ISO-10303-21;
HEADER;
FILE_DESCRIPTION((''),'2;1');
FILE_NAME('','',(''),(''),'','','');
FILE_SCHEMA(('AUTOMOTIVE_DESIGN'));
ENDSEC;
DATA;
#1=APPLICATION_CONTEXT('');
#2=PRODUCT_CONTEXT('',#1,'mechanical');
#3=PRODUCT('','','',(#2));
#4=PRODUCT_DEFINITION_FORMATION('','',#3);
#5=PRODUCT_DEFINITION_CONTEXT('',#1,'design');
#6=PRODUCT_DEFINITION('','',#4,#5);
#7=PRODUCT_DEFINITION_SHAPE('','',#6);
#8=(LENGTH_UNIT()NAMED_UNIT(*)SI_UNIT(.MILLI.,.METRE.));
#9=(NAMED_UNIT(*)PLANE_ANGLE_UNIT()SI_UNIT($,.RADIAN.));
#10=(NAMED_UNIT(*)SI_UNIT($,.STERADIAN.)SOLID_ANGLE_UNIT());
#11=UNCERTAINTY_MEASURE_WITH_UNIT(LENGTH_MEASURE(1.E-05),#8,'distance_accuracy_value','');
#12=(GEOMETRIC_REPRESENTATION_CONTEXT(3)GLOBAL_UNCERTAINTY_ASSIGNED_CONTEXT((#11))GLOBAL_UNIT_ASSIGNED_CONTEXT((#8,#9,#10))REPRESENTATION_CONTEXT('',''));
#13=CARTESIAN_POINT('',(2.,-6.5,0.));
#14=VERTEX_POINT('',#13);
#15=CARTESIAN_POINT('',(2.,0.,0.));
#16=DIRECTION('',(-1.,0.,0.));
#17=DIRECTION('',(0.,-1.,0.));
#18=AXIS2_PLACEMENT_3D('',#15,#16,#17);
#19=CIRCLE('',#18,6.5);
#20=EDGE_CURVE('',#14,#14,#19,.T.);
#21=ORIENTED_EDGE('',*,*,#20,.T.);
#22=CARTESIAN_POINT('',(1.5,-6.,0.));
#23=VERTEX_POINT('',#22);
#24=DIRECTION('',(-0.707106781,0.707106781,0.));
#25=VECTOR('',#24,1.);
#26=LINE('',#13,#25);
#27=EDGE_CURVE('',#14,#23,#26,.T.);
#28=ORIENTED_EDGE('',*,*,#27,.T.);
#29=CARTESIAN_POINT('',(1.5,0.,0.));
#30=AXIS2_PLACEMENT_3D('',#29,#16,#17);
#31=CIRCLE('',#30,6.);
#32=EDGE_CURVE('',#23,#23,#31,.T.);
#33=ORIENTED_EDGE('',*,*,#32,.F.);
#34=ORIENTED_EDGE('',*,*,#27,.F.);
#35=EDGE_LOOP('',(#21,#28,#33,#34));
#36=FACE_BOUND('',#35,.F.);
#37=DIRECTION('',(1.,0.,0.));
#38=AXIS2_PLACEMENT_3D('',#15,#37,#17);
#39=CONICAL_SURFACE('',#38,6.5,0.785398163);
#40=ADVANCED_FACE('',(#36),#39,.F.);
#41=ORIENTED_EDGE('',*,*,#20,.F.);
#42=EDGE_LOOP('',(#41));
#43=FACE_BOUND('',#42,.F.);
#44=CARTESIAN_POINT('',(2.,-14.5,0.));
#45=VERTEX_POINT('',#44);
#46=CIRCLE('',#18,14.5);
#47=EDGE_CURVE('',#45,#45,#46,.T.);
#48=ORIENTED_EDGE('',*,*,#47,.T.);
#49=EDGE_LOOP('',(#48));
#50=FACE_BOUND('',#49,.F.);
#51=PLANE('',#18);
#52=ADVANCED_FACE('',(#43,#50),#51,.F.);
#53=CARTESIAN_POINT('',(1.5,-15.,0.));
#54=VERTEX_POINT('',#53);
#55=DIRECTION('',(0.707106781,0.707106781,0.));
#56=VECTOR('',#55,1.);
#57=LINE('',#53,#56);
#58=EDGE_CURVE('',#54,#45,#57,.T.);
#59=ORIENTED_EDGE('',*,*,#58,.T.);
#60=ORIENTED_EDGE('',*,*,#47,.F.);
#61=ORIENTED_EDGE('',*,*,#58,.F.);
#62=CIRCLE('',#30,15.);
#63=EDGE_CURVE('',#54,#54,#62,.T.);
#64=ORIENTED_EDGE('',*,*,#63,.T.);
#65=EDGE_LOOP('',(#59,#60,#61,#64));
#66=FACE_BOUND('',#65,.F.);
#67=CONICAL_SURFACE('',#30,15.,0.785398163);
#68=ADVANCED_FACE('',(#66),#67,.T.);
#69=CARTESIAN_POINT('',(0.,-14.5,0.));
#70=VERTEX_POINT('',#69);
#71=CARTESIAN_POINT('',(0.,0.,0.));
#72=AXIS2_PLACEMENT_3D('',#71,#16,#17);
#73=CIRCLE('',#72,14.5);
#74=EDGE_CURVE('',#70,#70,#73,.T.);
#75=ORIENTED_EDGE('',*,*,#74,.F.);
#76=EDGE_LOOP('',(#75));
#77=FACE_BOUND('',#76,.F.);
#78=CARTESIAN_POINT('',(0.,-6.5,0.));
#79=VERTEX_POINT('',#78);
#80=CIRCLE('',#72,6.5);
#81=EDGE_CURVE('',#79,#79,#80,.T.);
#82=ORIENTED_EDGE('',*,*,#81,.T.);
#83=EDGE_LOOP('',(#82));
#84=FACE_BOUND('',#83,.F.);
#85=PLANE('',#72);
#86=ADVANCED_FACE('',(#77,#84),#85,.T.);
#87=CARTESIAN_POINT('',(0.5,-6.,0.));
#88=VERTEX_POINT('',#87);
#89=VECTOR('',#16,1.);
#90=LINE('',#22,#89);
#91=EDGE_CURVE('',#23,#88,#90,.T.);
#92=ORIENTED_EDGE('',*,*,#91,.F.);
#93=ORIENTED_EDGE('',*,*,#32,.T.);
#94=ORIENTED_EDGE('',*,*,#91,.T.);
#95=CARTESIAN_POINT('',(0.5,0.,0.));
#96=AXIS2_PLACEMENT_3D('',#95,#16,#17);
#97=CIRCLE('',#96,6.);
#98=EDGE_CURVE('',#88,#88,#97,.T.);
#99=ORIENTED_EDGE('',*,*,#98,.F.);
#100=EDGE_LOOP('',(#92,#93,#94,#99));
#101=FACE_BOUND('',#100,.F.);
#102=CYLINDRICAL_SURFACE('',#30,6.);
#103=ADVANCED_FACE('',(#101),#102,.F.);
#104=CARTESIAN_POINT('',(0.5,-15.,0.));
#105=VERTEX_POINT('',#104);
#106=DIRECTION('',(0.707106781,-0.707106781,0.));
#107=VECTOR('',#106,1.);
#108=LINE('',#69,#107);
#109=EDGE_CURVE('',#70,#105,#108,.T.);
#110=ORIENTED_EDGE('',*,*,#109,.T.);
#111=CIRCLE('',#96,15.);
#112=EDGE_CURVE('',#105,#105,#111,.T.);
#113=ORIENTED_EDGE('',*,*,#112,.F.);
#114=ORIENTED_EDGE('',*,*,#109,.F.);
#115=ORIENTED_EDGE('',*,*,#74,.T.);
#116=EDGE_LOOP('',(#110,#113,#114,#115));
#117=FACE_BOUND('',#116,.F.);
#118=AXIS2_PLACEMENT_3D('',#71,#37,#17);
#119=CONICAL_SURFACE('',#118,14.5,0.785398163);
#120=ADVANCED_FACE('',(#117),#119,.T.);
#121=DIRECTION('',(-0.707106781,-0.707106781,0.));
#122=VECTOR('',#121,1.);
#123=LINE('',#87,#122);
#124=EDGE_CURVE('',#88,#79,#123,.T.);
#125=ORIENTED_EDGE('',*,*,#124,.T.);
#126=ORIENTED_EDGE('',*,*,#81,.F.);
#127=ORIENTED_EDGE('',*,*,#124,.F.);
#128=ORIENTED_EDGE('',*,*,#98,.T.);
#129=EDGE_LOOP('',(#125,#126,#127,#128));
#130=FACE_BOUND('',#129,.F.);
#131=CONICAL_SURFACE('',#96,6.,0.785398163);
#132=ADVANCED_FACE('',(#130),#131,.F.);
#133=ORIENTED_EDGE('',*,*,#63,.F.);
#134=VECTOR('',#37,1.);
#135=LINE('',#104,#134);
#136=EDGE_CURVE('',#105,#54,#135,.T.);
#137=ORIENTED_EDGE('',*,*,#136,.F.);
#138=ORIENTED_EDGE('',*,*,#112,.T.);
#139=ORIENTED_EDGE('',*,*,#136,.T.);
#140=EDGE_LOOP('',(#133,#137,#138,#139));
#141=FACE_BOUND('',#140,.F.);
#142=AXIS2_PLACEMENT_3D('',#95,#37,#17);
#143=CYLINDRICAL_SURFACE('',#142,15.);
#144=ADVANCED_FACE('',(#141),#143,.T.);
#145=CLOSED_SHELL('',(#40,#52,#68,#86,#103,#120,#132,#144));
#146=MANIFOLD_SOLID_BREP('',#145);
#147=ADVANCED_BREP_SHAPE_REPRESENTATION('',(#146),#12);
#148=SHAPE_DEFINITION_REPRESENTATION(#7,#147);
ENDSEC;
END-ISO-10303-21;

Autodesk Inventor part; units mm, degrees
sketch "Sketch_1" plane through (0, 0, 0) normal (0, 0, 1) x (1, 0, 0)
  line L0 (-3, 0) -> (3, 0)
  line L1 (0, -6.5) -> (0, -14.5)
  line L2 (0, -14.5) -> (0.5, -15)
  line L3 (0.5, -15) -> (1.5, -15)
  line L4 (1.5, -15) -> (2, -14.5)
  line L5 (2, -14.5) -> (2, -6.5)
  line L6 (2, -6.5) -> (1.5, -6)
  line L7 (1.5, -6) -> (0.5, -6)
  line L8 (0.5, -6) -> (0, -6.5)
revolve "Revolution1" add sketch "Sketch_1" angle 360 about axis through (-3, 0, 0) along (-1, 0, 0)
ref_plane "a_XY" through (0, 0, 0) normal (1, 0, 0) x (0, 0, -1)
ref_plane "a_YZ" through (0, 0, 0) normal (0, 0, -1) x (0, 1, 0)
ref_plane "a_ZX" through (0, 0, 0) normal (0, 1, 0) x (1, 0, 0)
properties part number "WSSS30-12-2"
